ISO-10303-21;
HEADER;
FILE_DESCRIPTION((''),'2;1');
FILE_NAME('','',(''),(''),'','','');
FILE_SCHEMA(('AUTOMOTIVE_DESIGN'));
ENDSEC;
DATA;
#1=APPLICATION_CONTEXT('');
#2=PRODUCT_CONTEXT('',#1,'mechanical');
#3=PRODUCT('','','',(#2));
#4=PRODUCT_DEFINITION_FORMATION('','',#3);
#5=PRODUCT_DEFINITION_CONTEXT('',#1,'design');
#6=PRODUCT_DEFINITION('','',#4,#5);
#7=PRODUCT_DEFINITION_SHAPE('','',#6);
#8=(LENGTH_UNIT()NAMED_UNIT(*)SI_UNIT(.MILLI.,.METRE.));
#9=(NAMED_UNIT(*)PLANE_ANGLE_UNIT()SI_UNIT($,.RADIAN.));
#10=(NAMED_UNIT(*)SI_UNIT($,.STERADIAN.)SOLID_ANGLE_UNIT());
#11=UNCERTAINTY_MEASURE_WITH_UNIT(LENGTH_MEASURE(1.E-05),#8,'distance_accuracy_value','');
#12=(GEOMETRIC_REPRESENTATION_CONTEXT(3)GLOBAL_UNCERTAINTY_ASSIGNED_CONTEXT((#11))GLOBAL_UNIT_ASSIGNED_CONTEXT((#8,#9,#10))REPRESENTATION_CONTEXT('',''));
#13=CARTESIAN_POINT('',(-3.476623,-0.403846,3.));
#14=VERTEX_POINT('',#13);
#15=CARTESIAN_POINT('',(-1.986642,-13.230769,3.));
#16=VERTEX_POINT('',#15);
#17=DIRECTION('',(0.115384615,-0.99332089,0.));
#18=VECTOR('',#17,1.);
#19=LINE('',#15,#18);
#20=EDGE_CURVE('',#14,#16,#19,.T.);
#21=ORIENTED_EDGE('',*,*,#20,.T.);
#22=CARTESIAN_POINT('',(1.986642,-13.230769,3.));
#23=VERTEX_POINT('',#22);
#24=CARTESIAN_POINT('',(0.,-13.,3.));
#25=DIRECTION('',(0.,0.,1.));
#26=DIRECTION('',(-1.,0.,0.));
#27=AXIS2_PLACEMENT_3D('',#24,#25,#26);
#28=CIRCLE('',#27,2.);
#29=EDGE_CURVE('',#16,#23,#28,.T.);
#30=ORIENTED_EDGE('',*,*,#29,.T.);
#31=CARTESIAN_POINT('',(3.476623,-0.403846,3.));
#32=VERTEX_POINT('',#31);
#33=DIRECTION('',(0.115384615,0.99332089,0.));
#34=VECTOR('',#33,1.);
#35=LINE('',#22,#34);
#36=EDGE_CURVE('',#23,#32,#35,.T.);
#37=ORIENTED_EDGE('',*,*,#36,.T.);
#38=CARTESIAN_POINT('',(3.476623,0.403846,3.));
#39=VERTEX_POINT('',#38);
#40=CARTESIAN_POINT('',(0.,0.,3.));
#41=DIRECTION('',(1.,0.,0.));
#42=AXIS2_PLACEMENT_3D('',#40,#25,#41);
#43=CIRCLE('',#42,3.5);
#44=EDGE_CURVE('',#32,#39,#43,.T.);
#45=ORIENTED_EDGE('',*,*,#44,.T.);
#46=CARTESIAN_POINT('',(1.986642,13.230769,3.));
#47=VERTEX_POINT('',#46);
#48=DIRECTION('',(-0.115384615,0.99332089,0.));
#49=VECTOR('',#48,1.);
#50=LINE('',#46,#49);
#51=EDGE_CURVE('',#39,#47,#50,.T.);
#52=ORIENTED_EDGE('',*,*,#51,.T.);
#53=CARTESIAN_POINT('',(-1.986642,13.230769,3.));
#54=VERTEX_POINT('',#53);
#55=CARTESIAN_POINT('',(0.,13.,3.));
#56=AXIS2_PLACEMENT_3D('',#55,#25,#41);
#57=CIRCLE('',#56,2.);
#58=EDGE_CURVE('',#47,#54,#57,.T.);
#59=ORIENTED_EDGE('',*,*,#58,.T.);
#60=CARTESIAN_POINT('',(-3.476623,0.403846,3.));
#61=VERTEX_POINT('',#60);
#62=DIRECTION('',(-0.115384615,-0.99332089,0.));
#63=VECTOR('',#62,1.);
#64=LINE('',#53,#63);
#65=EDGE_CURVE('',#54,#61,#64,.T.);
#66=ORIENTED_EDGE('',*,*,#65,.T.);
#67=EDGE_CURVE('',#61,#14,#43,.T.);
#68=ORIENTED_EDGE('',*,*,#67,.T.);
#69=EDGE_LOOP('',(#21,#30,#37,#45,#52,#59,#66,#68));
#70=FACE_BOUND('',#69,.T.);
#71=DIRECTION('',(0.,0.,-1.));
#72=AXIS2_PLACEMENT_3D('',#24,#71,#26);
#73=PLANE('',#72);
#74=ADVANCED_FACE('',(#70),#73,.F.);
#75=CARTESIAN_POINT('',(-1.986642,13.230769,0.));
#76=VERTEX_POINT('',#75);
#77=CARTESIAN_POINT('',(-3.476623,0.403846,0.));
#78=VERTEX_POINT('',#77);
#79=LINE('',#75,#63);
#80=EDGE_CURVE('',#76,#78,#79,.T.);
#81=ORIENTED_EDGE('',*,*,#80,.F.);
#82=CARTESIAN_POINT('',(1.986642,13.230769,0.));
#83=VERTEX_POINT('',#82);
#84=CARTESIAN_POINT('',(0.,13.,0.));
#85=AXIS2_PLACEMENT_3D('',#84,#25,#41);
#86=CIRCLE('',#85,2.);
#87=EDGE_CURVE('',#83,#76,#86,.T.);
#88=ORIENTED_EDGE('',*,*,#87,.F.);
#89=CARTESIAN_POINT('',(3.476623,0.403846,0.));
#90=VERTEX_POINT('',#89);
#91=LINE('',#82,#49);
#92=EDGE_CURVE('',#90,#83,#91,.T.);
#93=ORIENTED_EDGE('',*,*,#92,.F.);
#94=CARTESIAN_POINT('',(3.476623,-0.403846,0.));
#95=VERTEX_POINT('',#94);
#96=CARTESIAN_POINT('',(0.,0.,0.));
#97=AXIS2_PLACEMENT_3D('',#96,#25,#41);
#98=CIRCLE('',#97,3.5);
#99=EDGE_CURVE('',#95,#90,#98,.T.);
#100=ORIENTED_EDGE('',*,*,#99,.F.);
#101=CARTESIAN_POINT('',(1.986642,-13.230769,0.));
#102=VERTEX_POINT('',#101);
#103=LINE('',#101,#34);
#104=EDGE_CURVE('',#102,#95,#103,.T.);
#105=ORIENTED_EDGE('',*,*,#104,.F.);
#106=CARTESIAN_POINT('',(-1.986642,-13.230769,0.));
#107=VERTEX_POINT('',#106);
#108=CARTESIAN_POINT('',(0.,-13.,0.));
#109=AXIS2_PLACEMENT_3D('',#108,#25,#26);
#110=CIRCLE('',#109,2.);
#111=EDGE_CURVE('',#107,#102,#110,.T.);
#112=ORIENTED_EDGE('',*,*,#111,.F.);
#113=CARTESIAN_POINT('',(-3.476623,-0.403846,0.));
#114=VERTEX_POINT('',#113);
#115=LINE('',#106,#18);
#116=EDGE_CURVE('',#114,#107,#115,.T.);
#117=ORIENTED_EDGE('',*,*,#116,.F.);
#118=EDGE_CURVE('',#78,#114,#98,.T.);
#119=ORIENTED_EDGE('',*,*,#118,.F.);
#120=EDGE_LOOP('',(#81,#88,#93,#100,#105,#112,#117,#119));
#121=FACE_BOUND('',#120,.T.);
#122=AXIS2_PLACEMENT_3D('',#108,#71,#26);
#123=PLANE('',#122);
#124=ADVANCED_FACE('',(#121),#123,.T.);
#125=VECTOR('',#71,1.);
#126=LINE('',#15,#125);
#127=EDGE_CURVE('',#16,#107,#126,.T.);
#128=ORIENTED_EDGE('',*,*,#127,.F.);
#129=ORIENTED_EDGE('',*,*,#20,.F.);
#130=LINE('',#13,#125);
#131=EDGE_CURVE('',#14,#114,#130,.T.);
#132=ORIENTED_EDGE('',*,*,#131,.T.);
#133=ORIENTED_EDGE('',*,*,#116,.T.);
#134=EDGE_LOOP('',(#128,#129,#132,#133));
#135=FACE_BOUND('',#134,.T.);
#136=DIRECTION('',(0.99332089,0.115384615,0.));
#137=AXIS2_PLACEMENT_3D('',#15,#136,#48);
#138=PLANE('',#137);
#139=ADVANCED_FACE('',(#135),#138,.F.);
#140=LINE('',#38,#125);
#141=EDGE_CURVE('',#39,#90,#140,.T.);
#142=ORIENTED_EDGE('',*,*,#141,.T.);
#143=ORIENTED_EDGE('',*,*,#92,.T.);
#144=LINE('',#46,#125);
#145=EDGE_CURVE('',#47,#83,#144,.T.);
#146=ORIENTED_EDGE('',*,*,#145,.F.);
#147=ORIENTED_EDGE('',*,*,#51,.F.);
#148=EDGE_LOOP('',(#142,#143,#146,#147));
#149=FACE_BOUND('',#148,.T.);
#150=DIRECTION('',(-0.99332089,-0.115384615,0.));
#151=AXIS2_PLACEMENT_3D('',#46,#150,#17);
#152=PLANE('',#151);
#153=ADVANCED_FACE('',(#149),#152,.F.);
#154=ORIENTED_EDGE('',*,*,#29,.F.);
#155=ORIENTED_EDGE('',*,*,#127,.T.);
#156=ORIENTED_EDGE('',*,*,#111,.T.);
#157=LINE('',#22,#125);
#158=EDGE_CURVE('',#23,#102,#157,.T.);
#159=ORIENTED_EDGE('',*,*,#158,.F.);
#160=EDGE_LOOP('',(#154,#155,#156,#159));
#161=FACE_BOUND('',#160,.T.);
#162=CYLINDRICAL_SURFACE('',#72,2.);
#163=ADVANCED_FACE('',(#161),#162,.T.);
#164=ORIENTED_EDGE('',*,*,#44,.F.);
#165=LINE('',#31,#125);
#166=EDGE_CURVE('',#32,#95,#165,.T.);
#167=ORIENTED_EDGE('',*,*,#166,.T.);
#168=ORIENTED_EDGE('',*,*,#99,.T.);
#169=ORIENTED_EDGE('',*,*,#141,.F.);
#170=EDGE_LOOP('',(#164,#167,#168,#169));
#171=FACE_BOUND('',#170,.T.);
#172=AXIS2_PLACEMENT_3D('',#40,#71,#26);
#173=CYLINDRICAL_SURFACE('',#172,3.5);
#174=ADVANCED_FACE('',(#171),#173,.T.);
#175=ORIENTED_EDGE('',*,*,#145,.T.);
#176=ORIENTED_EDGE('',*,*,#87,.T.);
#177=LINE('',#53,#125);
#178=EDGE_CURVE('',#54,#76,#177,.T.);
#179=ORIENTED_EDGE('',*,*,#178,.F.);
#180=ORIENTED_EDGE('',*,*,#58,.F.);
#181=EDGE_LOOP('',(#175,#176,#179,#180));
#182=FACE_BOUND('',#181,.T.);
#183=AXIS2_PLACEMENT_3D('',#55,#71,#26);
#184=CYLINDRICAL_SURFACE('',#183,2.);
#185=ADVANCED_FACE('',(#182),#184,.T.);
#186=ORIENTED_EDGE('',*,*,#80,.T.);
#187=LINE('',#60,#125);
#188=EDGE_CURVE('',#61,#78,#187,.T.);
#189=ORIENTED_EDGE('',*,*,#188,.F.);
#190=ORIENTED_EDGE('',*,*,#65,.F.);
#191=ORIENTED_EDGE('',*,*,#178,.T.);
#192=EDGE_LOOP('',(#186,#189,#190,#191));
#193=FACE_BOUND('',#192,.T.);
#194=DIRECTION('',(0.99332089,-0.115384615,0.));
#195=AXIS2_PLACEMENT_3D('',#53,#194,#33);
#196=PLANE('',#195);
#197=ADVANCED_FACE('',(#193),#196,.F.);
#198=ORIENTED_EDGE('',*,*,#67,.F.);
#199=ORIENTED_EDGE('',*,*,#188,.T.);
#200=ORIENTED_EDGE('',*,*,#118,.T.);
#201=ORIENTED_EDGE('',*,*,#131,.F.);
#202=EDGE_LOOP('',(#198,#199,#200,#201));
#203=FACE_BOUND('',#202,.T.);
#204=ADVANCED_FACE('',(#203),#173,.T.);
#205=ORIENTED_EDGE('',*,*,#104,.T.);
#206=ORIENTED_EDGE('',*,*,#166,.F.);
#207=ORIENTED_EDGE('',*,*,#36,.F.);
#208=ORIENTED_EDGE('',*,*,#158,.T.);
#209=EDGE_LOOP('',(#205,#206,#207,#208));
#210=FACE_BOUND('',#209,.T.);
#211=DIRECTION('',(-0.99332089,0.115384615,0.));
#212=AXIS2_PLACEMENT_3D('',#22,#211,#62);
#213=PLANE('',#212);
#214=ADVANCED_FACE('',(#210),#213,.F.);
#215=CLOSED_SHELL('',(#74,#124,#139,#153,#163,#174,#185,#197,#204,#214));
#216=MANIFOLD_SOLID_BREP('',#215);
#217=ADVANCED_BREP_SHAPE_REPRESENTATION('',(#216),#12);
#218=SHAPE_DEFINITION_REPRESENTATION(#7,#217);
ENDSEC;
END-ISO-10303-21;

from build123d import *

# Parameters (mm, degrees)
EXTRUDE_1_DEPTH = 3


with BuildPart() as part:
    # 草图1 → 凸台-拉伸1 (new body)
    with BuildSketch(Plane.XY):
        with BuildLine():
            Line((-1.98664178, 13.230769231), (-3.476623115, 0.403846154))
            ThreePointArc((-3.476623115, 0.403846154), (-3.5, 0), (-3.476623115, -0.403846154))
            Line((-3.476623115, -0.403846154), (-1.98664178, -13.230769231))
            ThreePointArc((-1.98664178, -13.230769231), (0, -15), (1.98664178, -13.230769231))
            Line((1.98664178, -13.230769231), (3.476623115, -0.403846154))
            ThreePointArc((3.476623115, -0.403846154), (3.5, 0), (3.476623115, 0.403846154))
            Line((3.476623115, 0.403846154), (1.98664178, 13.230769231))
            ThreePointArc((1.98664178, 13.230769231), (0, 15), (-1.98664178, 13.230769231))
        make_face()
    extrude(amount=EXTRUDE_1_DEPTH)


solid = part.part
